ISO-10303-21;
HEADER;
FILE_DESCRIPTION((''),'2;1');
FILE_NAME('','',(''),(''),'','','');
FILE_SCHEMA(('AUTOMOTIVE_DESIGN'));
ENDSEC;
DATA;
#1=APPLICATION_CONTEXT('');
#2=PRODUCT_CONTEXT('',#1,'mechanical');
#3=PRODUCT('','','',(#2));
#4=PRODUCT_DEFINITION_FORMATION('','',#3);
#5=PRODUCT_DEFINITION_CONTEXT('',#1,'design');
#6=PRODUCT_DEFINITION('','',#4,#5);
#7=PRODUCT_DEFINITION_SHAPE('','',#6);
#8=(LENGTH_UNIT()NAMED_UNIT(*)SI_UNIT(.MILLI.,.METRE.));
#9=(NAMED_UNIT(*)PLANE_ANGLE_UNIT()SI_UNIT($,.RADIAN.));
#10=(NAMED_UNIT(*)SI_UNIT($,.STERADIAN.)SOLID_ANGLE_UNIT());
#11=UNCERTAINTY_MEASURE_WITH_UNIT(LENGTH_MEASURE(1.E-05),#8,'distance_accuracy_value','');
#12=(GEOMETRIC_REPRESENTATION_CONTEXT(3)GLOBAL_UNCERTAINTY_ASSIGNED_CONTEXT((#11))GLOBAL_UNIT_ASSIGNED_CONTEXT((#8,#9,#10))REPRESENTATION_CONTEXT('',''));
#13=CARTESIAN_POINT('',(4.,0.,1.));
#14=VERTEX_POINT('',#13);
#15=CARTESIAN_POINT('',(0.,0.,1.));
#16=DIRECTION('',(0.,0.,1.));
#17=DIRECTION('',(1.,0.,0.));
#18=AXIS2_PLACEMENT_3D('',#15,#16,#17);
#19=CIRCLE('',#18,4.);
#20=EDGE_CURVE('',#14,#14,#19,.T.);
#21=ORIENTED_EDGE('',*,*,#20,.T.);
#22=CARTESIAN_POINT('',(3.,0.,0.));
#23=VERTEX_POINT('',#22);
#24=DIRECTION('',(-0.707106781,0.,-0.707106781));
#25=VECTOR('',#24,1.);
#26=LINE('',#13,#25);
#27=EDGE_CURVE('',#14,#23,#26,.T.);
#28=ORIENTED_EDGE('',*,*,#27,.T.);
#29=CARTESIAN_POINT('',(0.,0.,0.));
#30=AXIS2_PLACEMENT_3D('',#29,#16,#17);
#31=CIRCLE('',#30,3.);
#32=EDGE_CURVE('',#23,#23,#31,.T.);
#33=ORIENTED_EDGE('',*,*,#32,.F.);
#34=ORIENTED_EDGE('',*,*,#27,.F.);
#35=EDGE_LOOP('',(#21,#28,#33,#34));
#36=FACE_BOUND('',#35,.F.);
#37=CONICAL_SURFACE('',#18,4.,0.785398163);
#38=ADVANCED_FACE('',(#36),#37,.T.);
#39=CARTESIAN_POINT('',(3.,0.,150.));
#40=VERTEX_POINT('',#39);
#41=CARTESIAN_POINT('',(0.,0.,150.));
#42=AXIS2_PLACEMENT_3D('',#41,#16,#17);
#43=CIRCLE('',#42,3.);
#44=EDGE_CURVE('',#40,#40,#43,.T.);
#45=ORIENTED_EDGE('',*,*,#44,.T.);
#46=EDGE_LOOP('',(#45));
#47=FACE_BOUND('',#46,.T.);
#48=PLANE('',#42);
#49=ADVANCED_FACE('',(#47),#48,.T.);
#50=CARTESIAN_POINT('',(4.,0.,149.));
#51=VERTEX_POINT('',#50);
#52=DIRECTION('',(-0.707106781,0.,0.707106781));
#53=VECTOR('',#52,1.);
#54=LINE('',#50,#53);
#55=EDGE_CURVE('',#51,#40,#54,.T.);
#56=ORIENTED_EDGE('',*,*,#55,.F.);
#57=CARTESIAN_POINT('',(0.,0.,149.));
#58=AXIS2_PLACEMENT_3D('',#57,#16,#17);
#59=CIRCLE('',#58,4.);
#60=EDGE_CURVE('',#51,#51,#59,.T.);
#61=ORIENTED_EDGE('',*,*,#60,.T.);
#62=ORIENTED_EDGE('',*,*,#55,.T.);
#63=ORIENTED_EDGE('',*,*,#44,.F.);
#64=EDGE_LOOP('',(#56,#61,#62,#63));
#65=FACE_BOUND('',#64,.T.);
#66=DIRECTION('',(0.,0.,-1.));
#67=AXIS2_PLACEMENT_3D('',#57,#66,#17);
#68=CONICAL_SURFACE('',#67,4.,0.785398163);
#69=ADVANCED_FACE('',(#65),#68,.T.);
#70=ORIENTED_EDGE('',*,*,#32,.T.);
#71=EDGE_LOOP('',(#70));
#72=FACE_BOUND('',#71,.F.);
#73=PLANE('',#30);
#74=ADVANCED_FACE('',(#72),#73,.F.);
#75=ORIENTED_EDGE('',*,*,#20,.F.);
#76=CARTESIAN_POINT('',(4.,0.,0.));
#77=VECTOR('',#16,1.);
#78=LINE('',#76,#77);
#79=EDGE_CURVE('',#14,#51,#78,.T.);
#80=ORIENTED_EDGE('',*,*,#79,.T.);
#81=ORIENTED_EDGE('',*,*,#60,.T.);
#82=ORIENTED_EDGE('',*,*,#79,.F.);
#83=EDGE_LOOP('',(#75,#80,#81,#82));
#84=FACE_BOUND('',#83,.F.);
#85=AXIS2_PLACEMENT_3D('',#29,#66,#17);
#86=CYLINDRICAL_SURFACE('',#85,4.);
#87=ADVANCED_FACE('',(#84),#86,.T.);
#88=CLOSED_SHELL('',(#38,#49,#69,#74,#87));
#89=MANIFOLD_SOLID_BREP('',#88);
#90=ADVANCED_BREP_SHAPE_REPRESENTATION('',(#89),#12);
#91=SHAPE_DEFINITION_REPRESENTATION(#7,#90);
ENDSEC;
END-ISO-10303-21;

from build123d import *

# Parameters (mm, degrees)
CYLINDER_R      = 4
CYLINDER_DEPTH  = 150
CHAMFER_SIZE    = 1
CHAMFER001_SIZE = 1


with BuildPart() as part:
    # Cylinder → Cylinder (new body)
    with BuildSketch(Plane.XY):
        Circle(CYLINDER_R)
    extrude(amount=CYLINDER_DEPTH)

    # Chamfer
    chamfer_edges = [part.edges().sort_by_distance(p)[0] for p in [
        (-4, 0, 150),
    ]]
    chamfer(chamfer_edges, length=CHAMFER_SIZE)

    # Chamfer001
    chamfer001_edges = [part.edges().sort_by_distance(p)[0] for p in [
        (-4, 0, 0),
    ]]
    chamfer(chamfer001_edges, length=CHAMFER001_SIZE)


solid = part.part
